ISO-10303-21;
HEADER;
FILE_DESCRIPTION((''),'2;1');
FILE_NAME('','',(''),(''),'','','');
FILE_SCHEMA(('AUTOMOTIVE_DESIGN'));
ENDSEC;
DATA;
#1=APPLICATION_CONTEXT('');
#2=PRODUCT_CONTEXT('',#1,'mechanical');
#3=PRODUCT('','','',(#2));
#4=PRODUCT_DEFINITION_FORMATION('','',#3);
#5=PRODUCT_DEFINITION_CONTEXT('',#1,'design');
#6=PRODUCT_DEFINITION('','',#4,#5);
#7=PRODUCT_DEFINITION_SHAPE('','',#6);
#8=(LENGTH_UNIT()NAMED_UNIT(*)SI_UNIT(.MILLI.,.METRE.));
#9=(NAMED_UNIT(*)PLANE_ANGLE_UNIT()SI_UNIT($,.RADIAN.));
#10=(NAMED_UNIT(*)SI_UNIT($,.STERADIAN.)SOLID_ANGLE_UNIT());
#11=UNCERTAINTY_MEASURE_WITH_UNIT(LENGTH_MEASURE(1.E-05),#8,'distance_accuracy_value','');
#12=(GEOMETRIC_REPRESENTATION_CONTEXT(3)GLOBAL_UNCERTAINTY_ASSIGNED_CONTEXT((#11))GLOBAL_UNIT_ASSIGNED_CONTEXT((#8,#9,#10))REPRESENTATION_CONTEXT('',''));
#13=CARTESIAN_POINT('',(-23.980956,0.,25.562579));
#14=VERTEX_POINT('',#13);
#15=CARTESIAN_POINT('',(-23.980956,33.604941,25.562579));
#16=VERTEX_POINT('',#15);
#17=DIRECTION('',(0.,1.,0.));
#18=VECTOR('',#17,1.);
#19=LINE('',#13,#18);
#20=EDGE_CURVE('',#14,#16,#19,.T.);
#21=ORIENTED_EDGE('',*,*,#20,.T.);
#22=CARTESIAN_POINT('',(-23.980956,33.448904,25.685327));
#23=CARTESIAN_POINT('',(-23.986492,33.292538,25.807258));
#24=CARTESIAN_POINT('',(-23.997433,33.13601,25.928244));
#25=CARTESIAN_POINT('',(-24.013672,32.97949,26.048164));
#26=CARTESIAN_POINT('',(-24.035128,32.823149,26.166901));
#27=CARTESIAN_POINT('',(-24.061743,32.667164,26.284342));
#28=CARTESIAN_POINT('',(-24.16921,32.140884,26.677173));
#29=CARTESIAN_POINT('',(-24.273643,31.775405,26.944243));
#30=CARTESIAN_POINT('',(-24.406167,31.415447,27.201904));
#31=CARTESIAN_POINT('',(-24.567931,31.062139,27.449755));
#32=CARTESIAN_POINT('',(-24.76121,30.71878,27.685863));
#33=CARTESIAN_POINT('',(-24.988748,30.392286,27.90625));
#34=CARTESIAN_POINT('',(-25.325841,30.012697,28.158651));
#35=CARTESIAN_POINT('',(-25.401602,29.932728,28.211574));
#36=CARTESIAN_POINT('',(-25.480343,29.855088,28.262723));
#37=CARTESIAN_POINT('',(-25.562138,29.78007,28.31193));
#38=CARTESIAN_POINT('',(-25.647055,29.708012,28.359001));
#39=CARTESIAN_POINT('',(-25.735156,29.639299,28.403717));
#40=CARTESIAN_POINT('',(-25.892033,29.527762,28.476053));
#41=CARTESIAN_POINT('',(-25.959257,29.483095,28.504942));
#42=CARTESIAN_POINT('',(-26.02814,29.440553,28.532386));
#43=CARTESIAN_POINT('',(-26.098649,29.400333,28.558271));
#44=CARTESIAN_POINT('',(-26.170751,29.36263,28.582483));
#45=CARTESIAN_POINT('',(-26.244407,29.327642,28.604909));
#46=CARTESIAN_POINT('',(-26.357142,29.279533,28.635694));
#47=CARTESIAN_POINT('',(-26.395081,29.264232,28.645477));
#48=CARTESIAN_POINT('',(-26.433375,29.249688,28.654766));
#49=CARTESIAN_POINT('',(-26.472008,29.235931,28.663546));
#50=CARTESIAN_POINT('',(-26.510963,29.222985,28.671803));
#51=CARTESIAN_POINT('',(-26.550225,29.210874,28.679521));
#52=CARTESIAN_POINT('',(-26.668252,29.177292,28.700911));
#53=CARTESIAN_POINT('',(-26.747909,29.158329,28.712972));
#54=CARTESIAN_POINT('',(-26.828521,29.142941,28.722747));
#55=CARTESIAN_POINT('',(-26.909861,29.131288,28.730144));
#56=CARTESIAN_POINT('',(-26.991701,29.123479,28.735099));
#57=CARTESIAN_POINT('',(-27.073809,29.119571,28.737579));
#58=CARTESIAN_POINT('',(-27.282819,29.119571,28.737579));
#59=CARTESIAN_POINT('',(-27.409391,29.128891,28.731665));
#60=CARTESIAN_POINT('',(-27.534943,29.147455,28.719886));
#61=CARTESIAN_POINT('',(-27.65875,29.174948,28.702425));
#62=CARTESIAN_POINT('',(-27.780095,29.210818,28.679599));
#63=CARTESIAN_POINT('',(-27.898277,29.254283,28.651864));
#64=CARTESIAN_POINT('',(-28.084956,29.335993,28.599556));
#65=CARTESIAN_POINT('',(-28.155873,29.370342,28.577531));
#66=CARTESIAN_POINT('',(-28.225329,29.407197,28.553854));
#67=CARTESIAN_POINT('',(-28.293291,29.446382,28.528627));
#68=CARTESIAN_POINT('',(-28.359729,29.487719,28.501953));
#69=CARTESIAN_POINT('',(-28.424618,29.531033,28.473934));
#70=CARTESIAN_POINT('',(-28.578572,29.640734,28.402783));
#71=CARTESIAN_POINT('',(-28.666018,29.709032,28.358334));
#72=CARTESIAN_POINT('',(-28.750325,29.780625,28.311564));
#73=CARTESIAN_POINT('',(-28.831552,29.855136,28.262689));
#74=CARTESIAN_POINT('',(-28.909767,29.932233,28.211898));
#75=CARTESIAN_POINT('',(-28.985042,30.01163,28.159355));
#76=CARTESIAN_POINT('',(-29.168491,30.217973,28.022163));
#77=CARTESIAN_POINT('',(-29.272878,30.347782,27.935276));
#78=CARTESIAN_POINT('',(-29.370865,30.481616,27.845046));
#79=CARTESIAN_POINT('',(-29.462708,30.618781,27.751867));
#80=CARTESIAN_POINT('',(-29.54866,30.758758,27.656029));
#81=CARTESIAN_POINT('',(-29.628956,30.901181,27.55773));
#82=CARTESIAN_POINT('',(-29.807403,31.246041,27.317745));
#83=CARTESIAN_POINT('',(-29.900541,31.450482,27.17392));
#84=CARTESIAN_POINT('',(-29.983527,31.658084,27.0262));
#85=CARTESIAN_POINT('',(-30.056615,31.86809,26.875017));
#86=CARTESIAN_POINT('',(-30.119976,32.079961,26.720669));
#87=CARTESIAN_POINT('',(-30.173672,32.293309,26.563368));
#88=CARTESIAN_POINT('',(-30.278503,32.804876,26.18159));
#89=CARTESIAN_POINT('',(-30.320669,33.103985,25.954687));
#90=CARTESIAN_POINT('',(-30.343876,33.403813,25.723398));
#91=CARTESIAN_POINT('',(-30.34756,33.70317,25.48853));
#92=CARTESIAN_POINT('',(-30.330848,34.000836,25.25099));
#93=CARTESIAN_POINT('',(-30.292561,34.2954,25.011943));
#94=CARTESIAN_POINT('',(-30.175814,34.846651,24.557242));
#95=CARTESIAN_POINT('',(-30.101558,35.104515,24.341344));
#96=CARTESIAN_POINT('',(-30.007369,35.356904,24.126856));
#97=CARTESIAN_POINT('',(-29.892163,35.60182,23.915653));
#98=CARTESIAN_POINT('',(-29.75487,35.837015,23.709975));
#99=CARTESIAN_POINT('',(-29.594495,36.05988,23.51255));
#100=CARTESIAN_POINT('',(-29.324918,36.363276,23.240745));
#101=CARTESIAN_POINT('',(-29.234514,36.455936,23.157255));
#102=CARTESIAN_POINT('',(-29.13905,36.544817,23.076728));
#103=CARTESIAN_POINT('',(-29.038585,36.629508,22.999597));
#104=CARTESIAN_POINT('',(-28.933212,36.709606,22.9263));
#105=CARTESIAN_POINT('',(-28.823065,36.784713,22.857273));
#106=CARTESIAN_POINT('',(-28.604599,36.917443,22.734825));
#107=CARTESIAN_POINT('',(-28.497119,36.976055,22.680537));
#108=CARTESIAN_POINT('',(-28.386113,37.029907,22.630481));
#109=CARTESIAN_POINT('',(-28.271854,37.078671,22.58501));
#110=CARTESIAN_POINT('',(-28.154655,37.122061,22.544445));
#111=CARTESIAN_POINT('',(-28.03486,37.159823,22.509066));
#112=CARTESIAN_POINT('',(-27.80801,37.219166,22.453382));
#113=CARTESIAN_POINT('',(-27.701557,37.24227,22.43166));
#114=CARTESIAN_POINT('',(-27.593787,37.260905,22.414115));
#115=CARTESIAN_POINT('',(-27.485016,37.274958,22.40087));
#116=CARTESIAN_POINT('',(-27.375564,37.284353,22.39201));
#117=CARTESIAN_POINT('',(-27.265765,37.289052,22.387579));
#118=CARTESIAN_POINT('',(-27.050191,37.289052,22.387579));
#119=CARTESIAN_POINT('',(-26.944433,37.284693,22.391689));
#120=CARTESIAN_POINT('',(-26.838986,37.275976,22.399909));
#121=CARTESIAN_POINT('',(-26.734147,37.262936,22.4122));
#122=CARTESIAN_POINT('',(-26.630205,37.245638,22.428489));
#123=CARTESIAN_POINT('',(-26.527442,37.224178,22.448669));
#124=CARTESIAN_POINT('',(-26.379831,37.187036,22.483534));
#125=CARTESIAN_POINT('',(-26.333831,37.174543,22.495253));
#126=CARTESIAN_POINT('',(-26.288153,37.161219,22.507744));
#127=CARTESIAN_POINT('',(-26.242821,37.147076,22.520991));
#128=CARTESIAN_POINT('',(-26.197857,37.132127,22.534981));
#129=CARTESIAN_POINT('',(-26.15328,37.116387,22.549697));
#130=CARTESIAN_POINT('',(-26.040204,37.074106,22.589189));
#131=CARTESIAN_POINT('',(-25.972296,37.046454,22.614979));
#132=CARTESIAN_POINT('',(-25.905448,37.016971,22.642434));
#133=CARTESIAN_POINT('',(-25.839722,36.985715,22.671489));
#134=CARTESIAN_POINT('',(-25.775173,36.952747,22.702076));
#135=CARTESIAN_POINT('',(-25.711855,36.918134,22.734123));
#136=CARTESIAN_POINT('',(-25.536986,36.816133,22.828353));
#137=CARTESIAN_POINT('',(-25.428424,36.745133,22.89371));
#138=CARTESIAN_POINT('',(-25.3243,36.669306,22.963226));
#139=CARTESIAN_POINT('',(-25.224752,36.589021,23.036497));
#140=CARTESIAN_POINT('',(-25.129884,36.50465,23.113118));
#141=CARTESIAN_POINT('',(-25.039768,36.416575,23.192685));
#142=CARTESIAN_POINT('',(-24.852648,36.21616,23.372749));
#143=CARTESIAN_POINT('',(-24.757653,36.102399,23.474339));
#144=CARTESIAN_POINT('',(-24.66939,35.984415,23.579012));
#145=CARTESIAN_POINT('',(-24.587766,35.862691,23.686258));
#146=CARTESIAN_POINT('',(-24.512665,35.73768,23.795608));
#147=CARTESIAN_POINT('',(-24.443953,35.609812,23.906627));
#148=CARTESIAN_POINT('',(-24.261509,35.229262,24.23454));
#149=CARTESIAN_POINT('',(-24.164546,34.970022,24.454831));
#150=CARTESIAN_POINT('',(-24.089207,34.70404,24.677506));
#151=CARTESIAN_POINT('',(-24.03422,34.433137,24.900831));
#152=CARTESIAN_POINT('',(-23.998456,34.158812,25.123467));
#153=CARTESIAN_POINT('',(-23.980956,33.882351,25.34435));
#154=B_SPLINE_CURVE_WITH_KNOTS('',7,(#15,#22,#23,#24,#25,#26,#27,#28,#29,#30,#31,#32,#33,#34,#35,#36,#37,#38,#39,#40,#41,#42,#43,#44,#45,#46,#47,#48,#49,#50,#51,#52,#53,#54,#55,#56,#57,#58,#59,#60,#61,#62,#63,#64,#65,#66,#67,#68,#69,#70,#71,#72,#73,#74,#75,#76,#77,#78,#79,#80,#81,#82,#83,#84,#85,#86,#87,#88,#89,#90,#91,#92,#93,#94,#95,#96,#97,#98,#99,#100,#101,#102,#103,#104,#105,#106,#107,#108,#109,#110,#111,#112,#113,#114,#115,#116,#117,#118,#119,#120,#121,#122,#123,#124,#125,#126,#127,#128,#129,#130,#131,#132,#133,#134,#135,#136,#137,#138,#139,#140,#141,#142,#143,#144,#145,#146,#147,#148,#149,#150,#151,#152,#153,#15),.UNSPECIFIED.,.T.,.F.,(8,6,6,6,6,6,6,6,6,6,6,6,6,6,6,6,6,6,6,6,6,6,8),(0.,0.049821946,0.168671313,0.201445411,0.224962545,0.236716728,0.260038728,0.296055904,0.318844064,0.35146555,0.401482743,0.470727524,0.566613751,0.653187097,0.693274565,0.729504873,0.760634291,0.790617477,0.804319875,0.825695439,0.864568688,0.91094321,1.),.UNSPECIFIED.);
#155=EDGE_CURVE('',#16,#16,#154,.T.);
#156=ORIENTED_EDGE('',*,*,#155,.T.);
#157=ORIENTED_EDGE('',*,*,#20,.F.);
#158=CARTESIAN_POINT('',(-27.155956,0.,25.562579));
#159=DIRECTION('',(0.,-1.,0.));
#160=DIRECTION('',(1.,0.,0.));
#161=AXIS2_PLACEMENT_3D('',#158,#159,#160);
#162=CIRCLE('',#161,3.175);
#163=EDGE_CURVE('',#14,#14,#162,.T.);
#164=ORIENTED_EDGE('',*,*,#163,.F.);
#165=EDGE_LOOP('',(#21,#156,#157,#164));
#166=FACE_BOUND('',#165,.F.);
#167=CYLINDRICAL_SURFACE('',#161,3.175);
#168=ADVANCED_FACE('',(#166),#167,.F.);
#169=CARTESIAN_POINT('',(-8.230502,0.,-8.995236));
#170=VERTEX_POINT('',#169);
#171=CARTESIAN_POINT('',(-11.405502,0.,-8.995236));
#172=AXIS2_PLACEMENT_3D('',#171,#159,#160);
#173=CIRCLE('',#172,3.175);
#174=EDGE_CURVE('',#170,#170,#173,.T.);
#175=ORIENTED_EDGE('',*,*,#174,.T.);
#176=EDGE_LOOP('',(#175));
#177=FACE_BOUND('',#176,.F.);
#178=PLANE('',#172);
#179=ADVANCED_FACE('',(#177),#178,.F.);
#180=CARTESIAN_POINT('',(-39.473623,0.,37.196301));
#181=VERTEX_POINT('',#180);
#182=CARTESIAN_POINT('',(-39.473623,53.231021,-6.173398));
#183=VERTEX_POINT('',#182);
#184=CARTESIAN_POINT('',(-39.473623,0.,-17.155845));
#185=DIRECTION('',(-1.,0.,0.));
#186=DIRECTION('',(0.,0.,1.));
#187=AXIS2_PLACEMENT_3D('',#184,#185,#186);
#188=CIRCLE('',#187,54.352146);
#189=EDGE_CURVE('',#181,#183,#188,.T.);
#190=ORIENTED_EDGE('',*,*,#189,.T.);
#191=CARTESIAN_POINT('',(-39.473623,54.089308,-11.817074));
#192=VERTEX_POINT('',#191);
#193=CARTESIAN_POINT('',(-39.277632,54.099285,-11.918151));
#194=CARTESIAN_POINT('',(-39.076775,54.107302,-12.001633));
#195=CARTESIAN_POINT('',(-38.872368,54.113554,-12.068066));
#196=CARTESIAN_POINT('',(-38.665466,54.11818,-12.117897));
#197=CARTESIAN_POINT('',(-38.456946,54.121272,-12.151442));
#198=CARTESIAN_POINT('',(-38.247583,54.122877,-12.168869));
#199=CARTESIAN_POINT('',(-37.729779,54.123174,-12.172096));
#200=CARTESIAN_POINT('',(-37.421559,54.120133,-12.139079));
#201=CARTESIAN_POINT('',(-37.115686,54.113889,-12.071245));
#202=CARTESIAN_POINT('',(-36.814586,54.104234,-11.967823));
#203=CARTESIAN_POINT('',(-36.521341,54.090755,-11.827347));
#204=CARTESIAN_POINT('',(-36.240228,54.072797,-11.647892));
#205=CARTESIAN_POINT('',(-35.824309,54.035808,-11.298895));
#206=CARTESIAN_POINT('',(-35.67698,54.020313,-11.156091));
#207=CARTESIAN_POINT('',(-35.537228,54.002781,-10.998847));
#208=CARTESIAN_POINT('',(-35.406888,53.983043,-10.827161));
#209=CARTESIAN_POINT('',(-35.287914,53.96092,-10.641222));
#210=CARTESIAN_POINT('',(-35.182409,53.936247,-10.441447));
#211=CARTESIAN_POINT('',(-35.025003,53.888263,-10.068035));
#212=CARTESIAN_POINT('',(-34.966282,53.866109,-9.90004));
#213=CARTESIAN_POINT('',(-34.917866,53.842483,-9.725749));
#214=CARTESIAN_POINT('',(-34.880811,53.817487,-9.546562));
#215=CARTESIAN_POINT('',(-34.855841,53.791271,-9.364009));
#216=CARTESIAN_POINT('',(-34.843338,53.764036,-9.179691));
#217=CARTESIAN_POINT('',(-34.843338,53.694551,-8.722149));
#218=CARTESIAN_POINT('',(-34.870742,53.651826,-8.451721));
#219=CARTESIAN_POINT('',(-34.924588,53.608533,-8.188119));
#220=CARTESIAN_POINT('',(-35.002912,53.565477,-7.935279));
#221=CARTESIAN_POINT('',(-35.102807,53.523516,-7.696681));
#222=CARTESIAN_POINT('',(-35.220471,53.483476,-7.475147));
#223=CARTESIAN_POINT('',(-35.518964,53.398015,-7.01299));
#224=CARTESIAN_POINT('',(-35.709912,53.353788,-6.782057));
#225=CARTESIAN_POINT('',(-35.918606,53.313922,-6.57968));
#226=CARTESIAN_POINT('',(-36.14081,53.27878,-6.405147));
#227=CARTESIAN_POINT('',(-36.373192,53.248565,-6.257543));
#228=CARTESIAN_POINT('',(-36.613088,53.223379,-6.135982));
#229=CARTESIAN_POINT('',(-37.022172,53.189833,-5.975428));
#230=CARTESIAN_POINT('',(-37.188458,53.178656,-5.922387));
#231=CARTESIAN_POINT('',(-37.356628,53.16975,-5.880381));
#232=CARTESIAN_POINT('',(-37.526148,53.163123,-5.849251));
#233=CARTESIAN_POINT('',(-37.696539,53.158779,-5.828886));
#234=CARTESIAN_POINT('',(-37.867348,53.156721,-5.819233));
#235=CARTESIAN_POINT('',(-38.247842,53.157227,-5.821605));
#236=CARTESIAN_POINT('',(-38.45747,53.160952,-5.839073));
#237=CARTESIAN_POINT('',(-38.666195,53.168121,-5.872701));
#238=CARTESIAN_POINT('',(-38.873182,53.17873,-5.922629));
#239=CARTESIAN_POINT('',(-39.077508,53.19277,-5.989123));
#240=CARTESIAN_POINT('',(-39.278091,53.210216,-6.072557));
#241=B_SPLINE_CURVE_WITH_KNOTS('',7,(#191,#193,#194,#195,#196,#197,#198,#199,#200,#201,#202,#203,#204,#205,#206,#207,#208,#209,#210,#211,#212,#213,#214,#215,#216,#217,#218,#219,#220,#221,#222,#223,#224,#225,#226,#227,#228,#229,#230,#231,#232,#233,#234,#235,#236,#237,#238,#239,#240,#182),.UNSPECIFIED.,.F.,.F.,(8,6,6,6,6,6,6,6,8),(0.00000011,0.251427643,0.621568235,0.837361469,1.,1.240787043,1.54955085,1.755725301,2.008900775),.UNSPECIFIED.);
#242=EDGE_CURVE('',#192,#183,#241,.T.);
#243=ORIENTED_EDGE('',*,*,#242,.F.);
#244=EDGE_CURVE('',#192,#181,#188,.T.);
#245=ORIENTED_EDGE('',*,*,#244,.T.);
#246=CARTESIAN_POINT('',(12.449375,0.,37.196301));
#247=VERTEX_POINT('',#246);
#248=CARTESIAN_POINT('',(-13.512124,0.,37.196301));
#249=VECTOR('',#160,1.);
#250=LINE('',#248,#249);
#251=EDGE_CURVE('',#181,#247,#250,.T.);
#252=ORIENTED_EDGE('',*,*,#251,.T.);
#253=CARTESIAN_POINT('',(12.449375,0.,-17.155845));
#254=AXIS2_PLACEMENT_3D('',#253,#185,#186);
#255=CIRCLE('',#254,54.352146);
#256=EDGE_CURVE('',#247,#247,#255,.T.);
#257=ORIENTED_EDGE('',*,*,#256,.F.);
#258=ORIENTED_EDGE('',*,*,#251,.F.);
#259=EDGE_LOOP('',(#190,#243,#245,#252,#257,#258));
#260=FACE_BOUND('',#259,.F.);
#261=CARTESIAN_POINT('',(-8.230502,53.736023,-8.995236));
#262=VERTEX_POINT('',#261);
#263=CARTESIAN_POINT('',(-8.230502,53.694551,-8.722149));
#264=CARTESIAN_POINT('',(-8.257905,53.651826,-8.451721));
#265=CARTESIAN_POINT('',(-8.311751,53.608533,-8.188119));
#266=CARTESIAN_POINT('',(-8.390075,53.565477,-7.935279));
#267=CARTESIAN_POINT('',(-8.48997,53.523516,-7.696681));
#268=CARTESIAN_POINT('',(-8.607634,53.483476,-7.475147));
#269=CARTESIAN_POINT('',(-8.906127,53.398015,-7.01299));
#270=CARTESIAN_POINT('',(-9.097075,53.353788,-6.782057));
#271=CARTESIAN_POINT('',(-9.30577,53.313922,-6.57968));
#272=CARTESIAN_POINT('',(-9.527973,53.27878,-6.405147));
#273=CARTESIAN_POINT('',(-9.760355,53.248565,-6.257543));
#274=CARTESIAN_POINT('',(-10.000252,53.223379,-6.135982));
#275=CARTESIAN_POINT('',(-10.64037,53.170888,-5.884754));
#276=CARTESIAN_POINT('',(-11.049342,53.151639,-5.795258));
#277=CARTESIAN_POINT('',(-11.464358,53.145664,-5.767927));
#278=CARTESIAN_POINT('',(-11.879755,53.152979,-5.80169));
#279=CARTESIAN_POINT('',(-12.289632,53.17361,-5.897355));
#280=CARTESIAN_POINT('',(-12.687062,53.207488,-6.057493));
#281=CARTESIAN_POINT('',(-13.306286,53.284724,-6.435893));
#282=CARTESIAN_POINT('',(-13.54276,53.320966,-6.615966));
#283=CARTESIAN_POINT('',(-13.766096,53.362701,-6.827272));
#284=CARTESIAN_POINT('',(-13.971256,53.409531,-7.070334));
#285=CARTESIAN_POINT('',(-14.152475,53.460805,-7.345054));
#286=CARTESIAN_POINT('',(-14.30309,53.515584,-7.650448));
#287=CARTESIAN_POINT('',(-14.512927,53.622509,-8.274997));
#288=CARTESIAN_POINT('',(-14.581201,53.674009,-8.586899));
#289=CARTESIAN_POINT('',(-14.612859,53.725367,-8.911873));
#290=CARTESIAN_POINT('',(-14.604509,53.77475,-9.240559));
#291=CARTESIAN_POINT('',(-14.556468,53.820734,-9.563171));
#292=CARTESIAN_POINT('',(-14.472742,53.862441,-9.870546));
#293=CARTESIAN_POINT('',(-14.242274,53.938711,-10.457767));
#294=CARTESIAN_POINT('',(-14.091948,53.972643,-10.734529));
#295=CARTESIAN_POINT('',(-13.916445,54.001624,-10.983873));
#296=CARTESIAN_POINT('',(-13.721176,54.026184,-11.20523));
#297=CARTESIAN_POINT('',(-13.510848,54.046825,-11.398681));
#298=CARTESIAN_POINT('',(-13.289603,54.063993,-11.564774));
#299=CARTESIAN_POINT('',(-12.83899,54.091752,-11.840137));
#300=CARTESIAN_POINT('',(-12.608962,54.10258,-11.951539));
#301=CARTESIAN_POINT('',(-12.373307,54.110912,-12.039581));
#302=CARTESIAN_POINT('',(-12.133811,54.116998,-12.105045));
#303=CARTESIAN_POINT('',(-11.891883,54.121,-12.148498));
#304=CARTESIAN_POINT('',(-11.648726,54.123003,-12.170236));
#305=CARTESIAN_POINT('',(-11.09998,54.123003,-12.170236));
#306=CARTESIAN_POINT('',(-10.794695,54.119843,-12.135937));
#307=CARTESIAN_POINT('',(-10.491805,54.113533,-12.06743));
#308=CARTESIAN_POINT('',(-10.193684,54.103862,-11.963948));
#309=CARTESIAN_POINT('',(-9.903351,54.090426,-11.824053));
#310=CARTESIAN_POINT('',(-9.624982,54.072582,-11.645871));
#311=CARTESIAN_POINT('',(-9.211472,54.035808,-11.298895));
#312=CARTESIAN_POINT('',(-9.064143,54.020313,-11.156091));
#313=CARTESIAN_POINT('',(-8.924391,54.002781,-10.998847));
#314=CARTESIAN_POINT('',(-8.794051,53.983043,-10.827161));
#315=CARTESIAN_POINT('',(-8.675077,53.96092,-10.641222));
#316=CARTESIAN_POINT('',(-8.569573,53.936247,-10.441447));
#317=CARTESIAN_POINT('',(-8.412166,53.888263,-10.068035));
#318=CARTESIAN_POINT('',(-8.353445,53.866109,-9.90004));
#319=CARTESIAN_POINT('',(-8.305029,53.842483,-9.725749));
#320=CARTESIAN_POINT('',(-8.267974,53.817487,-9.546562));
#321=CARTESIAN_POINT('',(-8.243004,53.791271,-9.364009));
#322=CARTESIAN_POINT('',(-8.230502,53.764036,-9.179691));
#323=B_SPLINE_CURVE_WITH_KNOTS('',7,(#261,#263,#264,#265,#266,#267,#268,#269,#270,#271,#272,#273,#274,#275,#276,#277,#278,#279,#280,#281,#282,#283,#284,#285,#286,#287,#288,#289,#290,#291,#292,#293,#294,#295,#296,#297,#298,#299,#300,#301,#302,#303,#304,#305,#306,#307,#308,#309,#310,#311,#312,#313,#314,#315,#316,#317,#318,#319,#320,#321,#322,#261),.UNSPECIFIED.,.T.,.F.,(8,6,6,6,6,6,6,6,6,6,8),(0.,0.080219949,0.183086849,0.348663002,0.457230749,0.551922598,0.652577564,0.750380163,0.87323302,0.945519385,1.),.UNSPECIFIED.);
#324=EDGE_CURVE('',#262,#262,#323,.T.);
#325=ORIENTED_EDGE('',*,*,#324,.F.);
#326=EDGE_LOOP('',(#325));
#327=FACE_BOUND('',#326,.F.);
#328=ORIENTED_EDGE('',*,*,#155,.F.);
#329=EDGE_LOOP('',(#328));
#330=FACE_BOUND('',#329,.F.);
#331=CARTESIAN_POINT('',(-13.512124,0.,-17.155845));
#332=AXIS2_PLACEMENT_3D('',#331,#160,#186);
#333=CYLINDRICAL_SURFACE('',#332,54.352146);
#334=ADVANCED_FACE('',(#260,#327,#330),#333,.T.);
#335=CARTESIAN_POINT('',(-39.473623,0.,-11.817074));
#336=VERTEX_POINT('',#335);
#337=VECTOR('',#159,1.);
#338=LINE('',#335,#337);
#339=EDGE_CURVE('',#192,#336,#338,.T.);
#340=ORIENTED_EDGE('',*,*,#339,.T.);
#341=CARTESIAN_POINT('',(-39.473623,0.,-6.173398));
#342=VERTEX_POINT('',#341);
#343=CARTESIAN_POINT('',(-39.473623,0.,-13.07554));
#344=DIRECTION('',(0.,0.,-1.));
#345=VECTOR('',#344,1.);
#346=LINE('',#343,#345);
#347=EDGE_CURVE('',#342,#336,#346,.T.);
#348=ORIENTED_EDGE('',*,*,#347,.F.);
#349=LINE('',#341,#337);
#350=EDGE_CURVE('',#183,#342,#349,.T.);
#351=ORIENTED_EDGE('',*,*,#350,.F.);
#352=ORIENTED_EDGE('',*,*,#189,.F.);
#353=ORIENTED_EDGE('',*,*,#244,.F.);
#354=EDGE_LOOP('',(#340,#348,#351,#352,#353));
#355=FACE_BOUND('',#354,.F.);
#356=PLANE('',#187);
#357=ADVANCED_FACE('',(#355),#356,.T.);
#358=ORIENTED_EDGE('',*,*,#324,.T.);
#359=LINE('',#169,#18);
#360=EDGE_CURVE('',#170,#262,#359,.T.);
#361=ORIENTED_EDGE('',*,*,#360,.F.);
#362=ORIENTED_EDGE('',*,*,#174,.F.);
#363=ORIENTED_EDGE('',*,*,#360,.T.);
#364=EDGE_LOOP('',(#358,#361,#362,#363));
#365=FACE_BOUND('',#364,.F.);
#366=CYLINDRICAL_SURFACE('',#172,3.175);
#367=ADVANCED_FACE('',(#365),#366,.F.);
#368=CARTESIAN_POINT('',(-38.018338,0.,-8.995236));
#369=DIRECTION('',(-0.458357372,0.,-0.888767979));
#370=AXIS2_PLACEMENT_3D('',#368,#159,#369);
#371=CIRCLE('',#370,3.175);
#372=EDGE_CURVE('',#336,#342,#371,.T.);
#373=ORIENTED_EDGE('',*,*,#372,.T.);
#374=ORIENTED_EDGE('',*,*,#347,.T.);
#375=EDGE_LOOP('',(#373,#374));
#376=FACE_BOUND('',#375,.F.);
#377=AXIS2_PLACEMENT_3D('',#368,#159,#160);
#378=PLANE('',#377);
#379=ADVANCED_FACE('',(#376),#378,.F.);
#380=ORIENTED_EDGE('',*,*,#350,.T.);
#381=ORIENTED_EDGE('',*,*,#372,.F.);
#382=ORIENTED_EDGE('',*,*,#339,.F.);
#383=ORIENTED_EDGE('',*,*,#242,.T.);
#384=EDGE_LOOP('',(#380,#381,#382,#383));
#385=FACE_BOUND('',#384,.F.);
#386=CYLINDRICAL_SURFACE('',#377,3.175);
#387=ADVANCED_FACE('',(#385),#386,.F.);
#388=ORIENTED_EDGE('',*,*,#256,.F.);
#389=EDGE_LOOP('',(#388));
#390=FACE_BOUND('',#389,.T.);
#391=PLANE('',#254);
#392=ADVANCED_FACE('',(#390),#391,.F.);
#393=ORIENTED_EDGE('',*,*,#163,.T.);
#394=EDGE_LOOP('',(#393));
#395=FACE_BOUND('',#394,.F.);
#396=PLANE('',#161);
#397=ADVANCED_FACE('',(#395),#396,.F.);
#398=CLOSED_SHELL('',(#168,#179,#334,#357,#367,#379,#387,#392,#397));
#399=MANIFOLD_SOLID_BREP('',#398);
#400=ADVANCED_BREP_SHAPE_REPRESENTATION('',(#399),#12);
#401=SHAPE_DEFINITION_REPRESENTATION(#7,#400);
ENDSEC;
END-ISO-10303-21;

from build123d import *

# Parameters (mm, degrees)
F0_W     = 51.9229983911
F0_H     = 54.352145642
F3_D     = 6.35
F3_DEPTH = 54.353145642


with BuildPart() as f1:
    # F0 (on Front) → F1 (revolve)
    with BuildSketch(Plane.XZ):
        with Locations((-13.5121238418, 10.0202281028)):
            Rectangle(F0_W, F0_H)
    revolve(axis=Axis((-13.5121238418, 0, -17.1558447182), (-1, 0, 0)))

    # F3 (through all, one way)
    with BuildSketch(Plane.XZ):
        with Locations((-27.1559562534, 25.5625788122), (-38.0183383822, -8.9952358976), (-11.4055015147, -8.9952358976)):
            Circle(F3_D / 2)
    extrude(amount=-F3_DEPTH, mode=Mode.SUBTRACT)


solid = f1.part
